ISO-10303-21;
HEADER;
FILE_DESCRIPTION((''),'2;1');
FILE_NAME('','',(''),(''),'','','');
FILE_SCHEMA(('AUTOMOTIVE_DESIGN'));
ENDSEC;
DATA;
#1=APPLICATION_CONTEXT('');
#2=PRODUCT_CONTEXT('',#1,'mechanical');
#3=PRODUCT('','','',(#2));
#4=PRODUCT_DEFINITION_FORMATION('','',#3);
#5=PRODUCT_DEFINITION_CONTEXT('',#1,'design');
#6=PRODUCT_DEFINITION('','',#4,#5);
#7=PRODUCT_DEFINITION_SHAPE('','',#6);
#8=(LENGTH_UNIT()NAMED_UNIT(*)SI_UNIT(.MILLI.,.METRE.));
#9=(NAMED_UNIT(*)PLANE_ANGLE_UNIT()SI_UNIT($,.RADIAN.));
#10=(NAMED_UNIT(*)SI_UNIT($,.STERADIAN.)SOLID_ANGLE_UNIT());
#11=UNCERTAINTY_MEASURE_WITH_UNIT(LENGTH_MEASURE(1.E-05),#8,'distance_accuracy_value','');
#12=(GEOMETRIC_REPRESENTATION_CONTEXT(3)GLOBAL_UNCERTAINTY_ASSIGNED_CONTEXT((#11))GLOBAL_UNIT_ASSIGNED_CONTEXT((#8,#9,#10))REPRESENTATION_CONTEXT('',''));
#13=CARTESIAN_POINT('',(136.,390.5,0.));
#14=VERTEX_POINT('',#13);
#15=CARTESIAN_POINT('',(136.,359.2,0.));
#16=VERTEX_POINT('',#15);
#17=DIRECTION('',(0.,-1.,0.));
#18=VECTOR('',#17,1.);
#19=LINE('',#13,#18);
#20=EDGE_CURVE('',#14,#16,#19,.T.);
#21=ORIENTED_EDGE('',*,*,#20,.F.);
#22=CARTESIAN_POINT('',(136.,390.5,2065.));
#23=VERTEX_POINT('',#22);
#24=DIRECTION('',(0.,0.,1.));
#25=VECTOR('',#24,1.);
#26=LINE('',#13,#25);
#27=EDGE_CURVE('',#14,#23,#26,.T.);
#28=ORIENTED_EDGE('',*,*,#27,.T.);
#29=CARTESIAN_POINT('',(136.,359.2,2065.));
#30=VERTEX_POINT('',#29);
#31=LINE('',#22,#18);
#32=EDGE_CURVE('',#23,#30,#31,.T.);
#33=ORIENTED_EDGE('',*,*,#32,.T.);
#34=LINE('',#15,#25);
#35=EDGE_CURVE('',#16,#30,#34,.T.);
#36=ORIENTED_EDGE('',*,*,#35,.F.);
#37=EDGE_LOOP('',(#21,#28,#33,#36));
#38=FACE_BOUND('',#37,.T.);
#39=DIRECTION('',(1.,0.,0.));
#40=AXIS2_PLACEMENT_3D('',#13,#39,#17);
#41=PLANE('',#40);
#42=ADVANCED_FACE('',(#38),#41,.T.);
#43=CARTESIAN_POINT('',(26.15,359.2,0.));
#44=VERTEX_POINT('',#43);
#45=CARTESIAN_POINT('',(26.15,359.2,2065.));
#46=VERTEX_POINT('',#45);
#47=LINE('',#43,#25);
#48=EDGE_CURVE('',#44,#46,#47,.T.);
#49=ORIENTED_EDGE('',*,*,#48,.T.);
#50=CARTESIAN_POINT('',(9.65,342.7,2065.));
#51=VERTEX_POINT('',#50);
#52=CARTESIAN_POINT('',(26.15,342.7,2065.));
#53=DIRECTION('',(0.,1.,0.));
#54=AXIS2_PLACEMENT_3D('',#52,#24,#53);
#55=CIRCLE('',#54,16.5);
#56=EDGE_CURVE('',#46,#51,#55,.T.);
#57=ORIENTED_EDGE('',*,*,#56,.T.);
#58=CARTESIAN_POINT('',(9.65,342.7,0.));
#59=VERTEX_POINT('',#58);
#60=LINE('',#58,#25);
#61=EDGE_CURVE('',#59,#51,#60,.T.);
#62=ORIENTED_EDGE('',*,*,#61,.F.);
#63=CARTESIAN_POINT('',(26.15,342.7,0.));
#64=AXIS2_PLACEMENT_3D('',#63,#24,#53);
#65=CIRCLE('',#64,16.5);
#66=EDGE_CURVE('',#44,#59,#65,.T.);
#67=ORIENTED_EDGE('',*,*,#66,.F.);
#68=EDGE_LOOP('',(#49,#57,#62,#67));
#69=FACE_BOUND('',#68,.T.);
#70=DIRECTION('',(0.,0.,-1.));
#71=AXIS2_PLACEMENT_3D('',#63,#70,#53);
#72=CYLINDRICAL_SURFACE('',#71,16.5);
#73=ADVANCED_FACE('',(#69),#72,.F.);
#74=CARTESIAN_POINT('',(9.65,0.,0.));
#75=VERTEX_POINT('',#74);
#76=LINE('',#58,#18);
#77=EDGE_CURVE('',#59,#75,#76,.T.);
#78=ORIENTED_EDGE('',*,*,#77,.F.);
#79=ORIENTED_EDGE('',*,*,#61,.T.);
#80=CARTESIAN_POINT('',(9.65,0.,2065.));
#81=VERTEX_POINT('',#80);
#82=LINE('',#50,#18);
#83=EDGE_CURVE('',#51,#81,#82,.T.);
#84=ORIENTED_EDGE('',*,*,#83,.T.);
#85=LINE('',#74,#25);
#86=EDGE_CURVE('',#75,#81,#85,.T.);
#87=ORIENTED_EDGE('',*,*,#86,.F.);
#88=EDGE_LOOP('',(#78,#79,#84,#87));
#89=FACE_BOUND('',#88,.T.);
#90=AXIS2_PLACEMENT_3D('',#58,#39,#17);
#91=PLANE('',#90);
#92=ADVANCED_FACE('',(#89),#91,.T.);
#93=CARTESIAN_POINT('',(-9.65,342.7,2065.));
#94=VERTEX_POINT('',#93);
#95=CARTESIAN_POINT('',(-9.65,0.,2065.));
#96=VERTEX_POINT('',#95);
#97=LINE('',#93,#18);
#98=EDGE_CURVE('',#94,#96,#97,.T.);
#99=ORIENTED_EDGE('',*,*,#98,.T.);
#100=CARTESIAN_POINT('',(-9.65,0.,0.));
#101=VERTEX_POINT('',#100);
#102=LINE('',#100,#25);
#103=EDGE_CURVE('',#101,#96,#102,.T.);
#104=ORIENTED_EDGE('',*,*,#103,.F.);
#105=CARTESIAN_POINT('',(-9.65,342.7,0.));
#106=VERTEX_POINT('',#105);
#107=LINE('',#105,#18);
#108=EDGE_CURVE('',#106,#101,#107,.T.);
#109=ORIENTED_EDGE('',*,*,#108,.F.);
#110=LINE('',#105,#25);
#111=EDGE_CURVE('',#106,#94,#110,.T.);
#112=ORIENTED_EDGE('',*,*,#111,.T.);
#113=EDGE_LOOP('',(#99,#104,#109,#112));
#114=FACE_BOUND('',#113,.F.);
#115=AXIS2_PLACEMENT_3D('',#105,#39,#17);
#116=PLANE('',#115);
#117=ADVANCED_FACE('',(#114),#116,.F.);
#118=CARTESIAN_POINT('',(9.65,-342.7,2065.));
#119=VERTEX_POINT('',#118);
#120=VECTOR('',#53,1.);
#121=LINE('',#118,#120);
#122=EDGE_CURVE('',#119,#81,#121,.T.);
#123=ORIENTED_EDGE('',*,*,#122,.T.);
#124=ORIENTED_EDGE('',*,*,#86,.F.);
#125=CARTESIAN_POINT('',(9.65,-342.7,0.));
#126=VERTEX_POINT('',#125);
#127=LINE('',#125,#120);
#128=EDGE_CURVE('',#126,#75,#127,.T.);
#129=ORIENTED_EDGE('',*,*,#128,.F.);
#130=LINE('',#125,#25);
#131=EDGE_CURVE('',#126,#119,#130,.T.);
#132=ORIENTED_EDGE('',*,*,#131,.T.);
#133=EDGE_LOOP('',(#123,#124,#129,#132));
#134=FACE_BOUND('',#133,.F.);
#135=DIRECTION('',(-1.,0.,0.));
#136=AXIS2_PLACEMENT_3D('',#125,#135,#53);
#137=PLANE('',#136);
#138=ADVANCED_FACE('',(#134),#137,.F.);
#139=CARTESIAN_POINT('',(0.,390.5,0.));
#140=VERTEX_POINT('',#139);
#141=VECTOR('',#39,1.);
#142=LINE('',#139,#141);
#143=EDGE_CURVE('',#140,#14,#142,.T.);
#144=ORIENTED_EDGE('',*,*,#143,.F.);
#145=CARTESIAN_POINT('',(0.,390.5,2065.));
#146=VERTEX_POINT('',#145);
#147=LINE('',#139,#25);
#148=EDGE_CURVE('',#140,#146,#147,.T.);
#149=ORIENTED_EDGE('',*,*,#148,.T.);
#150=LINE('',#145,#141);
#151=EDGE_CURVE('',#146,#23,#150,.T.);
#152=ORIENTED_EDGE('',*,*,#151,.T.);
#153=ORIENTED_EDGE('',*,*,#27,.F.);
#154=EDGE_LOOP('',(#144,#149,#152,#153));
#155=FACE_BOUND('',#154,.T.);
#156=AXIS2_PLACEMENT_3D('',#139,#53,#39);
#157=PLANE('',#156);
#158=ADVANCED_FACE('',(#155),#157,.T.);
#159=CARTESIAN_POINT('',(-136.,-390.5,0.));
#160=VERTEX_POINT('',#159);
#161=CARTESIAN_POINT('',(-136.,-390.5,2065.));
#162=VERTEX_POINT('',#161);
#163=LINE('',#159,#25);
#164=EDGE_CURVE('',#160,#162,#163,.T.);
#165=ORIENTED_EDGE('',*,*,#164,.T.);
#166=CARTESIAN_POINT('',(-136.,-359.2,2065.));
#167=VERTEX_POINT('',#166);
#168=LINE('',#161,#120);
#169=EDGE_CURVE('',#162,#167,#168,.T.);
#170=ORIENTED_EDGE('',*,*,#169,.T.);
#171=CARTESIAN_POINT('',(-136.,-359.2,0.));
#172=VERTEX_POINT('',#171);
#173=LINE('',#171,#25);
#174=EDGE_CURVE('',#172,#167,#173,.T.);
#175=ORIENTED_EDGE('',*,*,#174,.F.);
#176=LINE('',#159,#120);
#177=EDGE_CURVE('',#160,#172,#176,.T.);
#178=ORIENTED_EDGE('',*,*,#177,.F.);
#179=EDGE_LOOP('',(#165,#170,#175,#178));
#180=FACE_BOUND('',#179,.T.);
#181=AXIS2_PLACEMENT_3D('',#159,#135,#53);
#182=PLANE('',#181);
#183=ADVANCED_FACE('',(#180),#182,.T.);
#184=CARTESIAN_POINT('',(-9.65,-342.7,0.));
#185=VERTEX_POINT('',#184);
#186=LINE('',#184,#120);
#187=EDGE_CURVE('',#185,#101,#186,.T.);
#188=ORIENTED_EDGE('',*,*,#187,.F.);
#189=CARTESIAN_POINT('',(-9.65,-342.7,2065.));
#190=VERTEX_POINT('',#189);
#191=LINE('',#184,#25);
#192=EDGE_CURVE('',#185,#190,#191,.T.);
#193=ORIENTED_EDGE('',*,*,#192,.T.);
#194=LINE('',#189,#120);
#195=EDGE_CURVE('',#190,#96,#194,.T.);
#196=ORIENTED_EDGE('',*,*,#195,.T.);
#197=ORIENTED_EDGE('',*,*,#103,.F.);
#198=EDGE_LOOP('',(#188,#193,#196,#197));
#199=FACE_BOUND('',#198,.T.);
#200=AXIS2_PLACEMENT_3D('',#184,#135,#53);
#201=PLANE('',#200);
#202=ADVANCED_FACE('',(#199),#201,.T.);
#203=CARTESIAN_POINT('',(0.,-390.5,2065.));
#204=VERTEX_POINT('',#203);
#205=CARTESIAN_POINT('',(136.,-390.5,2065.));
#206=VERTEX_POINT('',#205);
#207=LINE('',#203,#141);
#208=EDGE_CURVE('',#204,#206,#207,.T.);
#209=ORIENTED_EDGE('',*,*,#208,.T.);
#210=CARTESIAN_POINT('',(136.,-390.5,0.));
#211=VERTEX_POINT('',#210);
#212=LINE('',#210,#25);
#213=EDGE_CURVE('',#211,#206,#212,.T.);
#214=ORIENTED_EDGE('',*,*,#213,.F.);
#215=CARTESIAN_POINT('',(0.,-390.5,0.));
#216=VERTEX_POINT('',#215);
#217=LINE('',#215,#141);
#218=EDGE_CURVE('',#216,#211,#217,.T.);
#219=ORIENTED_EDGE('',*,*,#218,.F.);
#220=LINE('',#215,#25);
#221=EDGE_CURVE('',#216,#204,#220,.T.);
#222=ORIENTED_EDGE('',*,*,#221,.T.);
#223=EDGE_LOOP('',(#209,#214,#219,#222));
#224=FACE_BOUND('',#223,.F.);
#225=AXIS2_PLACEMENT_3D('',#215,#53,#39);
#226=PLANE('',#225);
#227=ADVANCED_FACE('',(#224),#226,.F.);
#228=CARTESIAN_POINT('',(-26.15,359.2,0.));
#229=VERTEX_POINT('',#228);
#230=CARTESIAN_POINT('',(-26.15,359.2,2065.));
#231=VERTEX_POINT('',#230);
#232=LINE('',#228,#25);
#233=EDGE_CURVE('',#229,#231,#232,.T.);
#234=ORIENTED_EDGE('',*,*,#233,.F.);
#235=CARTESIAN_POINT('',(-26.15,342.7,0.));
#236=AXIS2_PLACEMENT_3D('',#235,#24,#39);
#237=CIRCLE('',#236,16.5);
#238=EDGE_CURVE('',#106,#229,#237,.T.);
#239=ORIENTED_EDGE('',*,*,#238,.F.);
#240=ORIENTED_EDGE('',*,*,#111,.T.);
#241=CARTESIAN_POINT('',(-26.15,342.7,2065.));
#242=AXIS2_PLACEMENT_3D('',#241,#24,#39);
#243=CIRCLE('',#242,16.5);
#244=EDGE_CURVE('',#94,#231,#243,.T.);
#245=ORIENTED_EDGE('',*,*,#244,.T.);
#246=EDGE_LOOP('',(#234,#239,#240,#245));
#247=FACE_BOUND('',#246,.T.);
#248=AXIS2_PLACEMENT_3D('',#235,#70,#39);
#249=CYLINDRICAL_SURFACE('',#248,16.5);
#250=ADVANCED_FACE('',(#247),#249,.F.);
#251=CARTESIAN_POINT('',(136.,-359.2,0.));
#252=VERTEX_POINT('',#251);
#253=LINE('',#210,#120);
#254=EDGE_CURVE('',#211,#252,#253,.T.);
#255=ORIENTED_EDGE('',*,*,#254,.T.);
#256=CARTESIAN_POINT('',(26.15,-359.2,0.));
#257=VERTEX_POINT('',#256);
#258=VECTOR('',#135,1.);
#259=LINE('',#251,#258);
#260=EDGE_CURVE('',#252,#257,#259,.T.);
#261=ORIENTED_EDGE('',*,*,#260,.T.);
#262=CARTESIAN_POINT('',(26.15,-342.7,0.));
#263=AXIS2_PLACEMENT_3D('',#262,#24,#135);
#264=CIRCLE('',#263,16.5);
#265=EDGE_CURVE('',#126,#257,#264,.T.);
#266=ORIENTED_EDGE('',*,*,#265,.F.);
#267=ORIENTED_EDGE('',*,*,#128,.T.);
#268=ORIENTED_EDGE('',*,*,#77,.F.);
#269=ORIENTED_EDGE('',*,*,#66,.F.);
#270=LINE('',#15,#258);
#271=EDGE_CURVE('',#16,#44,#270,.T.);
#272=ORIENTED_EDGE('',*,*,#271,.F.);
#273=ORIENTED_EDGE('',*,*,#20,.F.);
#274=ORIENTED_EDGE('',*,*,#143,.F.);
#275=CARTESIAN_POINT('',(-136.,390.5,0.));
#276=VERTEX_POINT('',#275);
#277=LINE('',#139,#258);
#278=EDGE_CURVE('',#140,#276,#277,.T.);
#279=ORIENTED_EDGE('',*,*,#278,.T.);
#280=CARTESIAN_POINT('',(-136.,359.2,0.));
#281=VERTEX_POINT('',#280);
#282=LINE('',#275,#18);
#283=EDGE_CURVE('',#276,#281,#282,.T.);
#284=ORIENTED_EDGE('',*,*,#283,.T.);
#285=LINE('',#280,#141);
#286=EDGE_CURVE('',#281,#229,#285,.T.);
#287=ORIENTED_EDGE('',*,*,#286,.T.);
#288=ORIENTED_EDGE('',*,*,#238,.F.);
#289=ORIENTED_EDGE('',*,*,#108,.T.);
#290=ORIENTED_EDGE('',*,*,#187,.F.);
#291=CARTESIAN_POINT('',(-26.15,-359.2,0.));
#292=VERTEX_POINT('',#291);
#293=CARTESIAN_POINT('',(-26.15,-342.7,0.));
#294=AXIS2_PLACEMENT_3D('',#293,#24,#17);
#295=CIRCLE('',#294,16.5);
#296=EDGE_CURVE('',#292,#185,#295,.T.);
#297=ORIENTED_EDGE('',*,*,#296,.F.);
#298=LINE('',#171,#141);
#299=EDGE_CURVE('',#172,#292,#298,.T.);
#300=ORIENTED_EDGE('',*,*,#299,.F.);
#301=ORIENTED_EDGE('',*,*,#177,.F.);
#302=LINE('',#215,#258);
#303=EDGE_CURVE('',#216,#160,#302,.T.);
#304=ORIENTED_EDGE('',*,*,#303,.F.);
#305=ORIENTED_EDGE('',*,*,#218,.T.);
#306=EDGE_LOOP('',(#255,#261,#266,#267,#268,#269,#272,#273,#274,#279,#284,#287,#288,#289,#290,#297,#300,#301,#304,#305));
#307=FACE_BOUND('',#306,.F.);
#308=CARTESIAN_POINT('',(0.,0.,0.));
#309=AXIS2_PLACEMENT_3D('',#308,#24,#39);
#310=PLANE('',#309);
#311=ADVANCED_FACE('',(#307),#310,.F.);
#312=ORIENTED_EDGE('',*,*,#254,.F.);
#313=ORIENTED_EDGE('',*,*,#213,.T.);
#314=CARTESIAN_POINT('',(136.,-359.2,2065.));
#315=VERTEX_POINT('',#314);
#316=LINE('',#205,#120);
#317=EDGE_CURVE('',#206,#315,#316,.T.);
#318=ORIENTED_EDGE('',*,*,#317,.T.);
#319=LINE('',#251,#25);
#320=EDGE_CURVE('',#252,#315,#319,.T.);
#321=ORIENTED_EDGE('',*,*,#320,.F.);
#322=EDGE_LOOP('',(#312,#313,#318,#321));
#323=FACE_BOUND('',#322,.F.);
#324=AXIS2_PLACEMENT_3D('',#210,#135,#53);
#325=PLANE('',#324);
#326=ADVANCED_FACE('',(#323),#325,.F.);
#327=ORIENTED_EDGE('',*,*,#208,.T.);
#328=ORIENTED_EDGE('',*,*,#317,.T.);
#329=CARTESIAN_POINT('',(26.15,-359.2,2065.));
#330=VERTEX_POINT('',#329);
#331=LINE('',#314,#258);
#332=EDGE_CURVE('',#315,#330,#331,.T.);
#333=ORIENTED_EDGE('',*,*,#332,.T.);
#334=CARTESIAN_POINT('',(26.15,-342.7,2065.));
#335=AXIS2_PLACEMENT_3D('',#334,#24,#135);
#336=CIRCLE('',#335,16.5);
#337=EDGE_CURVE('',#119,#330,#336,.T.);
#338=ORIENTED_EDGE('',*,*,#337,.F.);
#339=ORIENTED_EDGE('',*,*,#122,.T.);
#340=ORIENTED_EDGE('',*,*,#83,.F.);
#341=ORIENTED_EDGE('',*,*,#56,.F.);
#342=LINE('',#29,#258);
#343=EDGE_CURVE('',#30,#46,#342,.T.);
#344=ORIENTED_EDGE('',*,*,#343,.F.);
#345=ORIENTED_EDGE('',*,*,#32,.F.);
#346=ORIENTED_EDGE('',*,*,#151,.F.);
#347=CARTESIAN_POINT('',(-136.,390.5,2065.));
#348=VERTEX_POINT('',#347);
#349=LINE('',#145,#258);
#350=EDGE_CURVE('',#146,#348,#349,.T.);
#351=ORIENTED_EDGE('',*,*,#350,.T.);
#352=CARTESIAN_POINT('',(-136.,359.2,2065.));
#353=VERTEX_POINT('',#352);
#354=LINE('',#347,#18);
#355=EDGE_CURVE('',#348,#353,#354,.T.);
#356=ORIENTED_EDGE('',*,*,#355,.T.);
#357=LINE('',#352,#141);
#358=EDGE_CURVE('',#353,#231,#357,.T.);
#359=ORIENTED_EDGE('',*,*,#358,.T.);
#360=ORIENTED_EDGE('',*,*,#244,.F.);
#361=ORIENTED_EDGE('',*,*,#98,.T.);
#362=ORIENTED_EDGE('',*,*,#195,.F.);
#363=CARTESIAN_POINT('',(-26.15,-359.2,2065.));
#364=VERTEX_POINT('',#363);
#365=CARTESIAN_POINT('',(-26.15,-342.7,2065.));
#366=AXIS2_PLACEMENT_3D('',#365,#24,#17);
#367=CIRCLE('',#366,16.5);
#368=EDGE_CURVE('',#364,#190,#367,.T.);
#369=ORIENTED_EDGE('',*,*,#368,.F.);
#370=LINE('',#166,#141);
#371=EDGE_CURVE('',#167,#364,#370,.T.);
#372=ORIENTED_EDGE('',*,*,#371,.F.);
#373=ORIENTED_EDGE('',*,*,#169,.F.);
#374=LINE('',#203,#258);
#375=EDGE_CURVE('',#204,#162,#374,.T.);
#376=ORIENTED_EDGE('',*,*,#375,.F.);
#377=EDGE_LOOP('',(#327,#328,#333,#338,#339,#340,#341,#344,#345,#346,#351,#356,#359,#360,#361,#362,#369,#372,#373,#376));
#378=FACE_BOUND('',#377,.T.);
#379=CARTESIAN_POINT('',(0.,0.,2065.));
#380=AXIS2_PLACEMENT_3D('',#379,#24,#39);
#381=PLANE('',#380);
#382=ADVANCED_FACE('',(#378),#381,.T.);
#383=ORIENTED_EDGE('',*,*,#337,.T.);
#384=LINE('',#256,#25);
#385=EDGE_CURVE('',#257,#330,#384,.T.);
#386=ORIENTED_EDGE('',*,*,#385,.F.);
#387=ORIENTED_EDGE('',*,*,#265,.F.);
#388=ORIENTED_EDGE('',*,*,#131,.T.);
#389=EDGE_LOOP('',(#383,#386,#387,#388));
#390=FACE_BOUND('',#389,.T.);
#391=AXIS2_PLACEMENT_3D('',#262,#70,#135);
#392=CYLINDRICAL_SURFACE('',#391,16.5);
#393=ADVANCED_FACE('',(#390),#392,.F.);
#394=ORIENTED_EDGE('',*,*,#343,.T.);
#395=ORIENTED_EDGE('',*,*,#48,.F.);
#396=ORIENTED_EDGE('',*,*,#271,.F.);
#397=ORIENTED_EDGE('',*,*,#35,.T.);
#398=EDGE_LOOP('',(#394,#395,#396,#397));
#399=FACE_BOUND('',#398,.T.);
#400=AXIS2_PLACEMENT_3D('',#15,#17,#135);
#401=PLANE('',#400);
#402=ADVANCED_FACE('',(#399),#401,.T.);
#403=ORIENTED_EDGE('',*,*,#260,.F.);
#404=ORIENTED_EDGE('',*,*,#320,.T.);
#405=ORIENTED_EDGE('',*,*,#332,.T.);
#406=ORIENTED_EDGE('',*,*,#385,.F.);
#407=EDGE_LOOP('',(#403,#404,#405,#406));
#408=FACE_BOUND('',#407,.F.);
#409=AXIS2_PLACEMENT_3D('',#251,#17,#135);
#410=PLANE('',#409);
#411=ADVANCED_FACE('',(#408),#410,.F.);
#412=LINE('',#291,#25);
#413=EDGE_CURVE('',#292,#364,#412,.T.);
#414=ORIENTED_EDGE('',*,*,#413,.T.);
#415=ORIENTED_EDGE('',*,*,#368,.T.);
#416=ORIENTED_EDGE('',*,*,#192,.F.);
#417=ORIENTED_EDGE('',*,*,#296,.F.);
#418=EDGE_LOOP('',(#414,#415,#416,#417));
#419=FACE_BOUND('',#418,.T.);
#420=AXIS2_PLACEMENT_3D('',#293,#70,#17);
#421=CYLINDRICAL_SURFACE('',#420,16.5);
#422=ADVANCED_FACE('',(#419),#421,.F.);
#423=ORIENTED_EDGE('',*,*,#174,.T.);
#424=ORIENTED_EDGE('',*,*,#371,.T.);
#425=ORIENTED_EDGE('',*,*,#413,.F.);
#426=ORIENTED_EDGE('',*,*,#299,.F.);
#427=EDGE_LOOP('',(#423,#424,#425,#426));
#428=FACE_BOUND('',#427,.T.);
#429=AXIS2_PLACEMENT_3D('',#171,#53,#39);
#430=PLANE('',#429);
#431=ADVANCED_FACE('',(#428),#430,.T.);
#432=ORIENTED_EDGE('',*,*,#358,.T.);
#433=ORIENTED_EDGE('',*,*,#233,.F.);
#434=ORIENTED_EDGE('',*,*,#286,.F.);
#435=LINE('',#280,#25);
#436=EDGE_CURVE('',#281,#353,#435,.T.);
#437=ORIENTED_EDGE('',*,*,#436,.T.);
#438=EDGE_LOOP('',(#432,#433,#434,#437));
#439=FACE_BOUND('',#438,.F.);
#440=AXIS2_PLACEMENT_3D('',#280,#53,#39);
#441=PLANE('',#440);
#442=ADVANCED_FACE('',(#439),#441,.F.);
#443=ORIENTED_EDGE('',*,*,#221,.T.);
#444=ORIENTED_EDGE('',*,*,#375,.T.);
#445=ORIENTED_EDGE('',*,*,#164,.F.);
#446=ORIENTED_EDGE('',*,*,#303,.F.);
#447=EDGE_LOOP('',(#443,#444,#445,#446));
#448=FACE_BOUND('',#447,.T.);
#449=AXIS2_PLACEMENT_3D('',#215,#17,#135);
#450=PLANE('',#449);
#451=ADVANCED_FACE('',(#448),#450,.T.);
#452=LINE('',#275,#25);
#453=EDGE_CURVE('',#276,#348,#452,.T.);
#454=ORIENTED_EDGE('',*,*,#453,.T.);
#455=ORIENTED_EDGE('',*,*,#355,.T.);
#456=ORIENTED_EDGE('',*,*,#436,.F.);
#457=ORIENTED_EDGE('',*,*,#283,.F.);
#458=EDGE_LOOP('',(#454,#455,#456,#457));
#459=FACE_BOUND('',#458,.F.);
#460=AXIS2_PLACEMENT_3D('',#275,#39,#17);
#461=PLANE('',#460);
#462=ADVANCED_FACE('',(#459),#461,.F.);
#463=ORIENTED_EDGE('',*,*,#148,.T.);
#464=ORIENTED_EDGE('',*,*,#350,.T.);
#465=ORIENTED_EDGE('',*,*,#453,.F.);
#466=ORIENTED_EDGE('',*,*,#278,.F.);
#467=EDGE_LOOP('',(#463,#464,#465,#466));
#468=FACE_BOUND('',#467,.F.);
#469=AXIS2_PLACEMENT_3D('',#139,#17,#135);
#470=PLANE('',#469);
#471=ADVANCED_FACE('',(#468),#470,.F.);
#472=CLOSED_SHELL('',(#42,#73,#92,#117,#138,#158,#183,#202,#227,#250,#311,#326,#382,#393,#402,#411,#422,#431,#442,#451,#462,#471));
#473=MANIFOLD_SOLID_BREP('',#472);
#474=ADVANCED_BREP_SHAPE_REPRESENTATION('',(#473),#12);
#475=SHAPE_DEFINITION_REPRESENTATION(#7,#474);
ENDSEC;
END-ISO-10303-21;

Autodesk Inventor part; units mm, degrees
ref_plane "YZ Plane" through (0, 0, 0) normal (1, 0, 0) x (0, 1, 0)
ref_plane "Start plane" through (0, 0, 0) normal (0, 0, 1) x (1, 0, 0)
ref_plane "End plane" through (0, 0, 2065) normal (0, 0, 1) x (1, 0, 0)
sketch "Sketch" plane through (0, 0, 0) normal (0, 0, 1) x (1, 0, 0)
  line L0 (-136, -390.5) -> (-136, -359.2)
  line L1 (-136, -359.2) -> (-26.15, -359.2)
  line L2 (-9.65, -342.7) -> (-9.65, 0)
  line L3 (-9.65, 0) -> (0, 0) construction
  line L4 (0, 0) -> (0, -390.5) construction
  line L5 (0, -390.5) -> (-136, -390.5)
  line L6 (-60, 0) -> (80, 0) construction
  line L7 (0, -60) -> (0, 80) construction
  line L8 (136, -390.5) -> (136, -359.2)
  line L9 (136, -359.2) -> (26.15, -359.2)
  line L10 (9.65, -342.7) -> (9.65, 0)
  line L11 (9.65, 0) -> (0, 0) construction
  line L12 (0, -390.5) -> (136, -390.5)
  line L13 (-136, 390.5) -> (-136, 359.2)
  line L14 (-136, 359.2) -> (-26.15, 359.2)
  line L15 (-9.65, 342.7) -> (-9.65, 0)
  line L16 (0, 390.5) -> (-136, 390.5)
  line L17 (136, 390.5) -> (136, 359.2)
  line L18 (136, 359.2) -> (26.15, 359.2)
  line L19 (0, 390.5) -> (136, 390.5)
  line L20 (9.65, 342.7) -> (9.65, 0)
  arc A0 (-9.65, 342.7) -> (-26.15, 359.2) centre (-26.15, 342.7) ccw
  arc A1 (26.15, 359.2) -> (9.65, 342.7) centre (26.15, 342.7) ccw
  arc A2 (9.65, -342.7) -> (26.15, -359.2) centre (26.15, -342.7) ccw
  arc A3 (-26.15, -359.2) -> (-9.65, -342.7) centre (-26.15, -342.7) ccw
  line L21 (0, 108) -> (0, -88) construction
  line L22 (-88, 0) -> (108, 0) construction
  point P0 (-9.65, -359.2)
  point P1 (9.65, -359.2)
  point P2 (-9.65, 359.2)
  point P3 (9.65, 359.2)
  dimension "d1" = 390.5
  dimension "d2" = 31.3
  dimension "d3" = 136
  dimension "d4" = 9.65
  dimension "d10" = 16.5
extrude "Body" add sketch "Sketch" along normal up to surface (2065 mm away) from surface at 0
sketch "Sketch4" plane through (0, 0, 0) normal (0, 0, 1) x (1, 0, 0)
  line L0 (0, 0) -> (10, 0)
ref_plane "Work Plane3" through (0, 0, 0) normal (0, -1, 0) x (1, 0, 0)
sketch "Sketch5" plane through (0, 0, 0) normal (0, -1, 0) x (1, 0, 0)
  line L0 (-2, 0) -> (12, 0) projected
  line L1 (-2, 2065) -> (12, 2065) projected
  dimension "d14" = 2065
equation "\"d1\" = 0.5 * G_H"
equation "\"d2\" = G_T1"
equation "\"d3\" = 0.5 * G_W"
equation "\"d4\" = 0.5 * G_T"
equation "\"d10\" = G_IR"
equation "\"d5\" = G_L"
equation "\"G_W\" = 272"
equation "\"G_H\" = 781"
equation "\"G_T\" = 19.3"
equation "\"G_T1\" = 31.3"
equation "\"G_IR\" = 16.5"
equation "\"G_L\" = d14"
equation "\"G_OFFSET_START\" = 0"
equation "\"G_OFFSET_END\" = 0"
equation "\"d12\" = G_OFFSET_END + B_L"
equation "\"B_L\" = 2065"
properties part number "AS 3679-1990 - 760 UB - 244 - 2065" material "Steel, Mild"
